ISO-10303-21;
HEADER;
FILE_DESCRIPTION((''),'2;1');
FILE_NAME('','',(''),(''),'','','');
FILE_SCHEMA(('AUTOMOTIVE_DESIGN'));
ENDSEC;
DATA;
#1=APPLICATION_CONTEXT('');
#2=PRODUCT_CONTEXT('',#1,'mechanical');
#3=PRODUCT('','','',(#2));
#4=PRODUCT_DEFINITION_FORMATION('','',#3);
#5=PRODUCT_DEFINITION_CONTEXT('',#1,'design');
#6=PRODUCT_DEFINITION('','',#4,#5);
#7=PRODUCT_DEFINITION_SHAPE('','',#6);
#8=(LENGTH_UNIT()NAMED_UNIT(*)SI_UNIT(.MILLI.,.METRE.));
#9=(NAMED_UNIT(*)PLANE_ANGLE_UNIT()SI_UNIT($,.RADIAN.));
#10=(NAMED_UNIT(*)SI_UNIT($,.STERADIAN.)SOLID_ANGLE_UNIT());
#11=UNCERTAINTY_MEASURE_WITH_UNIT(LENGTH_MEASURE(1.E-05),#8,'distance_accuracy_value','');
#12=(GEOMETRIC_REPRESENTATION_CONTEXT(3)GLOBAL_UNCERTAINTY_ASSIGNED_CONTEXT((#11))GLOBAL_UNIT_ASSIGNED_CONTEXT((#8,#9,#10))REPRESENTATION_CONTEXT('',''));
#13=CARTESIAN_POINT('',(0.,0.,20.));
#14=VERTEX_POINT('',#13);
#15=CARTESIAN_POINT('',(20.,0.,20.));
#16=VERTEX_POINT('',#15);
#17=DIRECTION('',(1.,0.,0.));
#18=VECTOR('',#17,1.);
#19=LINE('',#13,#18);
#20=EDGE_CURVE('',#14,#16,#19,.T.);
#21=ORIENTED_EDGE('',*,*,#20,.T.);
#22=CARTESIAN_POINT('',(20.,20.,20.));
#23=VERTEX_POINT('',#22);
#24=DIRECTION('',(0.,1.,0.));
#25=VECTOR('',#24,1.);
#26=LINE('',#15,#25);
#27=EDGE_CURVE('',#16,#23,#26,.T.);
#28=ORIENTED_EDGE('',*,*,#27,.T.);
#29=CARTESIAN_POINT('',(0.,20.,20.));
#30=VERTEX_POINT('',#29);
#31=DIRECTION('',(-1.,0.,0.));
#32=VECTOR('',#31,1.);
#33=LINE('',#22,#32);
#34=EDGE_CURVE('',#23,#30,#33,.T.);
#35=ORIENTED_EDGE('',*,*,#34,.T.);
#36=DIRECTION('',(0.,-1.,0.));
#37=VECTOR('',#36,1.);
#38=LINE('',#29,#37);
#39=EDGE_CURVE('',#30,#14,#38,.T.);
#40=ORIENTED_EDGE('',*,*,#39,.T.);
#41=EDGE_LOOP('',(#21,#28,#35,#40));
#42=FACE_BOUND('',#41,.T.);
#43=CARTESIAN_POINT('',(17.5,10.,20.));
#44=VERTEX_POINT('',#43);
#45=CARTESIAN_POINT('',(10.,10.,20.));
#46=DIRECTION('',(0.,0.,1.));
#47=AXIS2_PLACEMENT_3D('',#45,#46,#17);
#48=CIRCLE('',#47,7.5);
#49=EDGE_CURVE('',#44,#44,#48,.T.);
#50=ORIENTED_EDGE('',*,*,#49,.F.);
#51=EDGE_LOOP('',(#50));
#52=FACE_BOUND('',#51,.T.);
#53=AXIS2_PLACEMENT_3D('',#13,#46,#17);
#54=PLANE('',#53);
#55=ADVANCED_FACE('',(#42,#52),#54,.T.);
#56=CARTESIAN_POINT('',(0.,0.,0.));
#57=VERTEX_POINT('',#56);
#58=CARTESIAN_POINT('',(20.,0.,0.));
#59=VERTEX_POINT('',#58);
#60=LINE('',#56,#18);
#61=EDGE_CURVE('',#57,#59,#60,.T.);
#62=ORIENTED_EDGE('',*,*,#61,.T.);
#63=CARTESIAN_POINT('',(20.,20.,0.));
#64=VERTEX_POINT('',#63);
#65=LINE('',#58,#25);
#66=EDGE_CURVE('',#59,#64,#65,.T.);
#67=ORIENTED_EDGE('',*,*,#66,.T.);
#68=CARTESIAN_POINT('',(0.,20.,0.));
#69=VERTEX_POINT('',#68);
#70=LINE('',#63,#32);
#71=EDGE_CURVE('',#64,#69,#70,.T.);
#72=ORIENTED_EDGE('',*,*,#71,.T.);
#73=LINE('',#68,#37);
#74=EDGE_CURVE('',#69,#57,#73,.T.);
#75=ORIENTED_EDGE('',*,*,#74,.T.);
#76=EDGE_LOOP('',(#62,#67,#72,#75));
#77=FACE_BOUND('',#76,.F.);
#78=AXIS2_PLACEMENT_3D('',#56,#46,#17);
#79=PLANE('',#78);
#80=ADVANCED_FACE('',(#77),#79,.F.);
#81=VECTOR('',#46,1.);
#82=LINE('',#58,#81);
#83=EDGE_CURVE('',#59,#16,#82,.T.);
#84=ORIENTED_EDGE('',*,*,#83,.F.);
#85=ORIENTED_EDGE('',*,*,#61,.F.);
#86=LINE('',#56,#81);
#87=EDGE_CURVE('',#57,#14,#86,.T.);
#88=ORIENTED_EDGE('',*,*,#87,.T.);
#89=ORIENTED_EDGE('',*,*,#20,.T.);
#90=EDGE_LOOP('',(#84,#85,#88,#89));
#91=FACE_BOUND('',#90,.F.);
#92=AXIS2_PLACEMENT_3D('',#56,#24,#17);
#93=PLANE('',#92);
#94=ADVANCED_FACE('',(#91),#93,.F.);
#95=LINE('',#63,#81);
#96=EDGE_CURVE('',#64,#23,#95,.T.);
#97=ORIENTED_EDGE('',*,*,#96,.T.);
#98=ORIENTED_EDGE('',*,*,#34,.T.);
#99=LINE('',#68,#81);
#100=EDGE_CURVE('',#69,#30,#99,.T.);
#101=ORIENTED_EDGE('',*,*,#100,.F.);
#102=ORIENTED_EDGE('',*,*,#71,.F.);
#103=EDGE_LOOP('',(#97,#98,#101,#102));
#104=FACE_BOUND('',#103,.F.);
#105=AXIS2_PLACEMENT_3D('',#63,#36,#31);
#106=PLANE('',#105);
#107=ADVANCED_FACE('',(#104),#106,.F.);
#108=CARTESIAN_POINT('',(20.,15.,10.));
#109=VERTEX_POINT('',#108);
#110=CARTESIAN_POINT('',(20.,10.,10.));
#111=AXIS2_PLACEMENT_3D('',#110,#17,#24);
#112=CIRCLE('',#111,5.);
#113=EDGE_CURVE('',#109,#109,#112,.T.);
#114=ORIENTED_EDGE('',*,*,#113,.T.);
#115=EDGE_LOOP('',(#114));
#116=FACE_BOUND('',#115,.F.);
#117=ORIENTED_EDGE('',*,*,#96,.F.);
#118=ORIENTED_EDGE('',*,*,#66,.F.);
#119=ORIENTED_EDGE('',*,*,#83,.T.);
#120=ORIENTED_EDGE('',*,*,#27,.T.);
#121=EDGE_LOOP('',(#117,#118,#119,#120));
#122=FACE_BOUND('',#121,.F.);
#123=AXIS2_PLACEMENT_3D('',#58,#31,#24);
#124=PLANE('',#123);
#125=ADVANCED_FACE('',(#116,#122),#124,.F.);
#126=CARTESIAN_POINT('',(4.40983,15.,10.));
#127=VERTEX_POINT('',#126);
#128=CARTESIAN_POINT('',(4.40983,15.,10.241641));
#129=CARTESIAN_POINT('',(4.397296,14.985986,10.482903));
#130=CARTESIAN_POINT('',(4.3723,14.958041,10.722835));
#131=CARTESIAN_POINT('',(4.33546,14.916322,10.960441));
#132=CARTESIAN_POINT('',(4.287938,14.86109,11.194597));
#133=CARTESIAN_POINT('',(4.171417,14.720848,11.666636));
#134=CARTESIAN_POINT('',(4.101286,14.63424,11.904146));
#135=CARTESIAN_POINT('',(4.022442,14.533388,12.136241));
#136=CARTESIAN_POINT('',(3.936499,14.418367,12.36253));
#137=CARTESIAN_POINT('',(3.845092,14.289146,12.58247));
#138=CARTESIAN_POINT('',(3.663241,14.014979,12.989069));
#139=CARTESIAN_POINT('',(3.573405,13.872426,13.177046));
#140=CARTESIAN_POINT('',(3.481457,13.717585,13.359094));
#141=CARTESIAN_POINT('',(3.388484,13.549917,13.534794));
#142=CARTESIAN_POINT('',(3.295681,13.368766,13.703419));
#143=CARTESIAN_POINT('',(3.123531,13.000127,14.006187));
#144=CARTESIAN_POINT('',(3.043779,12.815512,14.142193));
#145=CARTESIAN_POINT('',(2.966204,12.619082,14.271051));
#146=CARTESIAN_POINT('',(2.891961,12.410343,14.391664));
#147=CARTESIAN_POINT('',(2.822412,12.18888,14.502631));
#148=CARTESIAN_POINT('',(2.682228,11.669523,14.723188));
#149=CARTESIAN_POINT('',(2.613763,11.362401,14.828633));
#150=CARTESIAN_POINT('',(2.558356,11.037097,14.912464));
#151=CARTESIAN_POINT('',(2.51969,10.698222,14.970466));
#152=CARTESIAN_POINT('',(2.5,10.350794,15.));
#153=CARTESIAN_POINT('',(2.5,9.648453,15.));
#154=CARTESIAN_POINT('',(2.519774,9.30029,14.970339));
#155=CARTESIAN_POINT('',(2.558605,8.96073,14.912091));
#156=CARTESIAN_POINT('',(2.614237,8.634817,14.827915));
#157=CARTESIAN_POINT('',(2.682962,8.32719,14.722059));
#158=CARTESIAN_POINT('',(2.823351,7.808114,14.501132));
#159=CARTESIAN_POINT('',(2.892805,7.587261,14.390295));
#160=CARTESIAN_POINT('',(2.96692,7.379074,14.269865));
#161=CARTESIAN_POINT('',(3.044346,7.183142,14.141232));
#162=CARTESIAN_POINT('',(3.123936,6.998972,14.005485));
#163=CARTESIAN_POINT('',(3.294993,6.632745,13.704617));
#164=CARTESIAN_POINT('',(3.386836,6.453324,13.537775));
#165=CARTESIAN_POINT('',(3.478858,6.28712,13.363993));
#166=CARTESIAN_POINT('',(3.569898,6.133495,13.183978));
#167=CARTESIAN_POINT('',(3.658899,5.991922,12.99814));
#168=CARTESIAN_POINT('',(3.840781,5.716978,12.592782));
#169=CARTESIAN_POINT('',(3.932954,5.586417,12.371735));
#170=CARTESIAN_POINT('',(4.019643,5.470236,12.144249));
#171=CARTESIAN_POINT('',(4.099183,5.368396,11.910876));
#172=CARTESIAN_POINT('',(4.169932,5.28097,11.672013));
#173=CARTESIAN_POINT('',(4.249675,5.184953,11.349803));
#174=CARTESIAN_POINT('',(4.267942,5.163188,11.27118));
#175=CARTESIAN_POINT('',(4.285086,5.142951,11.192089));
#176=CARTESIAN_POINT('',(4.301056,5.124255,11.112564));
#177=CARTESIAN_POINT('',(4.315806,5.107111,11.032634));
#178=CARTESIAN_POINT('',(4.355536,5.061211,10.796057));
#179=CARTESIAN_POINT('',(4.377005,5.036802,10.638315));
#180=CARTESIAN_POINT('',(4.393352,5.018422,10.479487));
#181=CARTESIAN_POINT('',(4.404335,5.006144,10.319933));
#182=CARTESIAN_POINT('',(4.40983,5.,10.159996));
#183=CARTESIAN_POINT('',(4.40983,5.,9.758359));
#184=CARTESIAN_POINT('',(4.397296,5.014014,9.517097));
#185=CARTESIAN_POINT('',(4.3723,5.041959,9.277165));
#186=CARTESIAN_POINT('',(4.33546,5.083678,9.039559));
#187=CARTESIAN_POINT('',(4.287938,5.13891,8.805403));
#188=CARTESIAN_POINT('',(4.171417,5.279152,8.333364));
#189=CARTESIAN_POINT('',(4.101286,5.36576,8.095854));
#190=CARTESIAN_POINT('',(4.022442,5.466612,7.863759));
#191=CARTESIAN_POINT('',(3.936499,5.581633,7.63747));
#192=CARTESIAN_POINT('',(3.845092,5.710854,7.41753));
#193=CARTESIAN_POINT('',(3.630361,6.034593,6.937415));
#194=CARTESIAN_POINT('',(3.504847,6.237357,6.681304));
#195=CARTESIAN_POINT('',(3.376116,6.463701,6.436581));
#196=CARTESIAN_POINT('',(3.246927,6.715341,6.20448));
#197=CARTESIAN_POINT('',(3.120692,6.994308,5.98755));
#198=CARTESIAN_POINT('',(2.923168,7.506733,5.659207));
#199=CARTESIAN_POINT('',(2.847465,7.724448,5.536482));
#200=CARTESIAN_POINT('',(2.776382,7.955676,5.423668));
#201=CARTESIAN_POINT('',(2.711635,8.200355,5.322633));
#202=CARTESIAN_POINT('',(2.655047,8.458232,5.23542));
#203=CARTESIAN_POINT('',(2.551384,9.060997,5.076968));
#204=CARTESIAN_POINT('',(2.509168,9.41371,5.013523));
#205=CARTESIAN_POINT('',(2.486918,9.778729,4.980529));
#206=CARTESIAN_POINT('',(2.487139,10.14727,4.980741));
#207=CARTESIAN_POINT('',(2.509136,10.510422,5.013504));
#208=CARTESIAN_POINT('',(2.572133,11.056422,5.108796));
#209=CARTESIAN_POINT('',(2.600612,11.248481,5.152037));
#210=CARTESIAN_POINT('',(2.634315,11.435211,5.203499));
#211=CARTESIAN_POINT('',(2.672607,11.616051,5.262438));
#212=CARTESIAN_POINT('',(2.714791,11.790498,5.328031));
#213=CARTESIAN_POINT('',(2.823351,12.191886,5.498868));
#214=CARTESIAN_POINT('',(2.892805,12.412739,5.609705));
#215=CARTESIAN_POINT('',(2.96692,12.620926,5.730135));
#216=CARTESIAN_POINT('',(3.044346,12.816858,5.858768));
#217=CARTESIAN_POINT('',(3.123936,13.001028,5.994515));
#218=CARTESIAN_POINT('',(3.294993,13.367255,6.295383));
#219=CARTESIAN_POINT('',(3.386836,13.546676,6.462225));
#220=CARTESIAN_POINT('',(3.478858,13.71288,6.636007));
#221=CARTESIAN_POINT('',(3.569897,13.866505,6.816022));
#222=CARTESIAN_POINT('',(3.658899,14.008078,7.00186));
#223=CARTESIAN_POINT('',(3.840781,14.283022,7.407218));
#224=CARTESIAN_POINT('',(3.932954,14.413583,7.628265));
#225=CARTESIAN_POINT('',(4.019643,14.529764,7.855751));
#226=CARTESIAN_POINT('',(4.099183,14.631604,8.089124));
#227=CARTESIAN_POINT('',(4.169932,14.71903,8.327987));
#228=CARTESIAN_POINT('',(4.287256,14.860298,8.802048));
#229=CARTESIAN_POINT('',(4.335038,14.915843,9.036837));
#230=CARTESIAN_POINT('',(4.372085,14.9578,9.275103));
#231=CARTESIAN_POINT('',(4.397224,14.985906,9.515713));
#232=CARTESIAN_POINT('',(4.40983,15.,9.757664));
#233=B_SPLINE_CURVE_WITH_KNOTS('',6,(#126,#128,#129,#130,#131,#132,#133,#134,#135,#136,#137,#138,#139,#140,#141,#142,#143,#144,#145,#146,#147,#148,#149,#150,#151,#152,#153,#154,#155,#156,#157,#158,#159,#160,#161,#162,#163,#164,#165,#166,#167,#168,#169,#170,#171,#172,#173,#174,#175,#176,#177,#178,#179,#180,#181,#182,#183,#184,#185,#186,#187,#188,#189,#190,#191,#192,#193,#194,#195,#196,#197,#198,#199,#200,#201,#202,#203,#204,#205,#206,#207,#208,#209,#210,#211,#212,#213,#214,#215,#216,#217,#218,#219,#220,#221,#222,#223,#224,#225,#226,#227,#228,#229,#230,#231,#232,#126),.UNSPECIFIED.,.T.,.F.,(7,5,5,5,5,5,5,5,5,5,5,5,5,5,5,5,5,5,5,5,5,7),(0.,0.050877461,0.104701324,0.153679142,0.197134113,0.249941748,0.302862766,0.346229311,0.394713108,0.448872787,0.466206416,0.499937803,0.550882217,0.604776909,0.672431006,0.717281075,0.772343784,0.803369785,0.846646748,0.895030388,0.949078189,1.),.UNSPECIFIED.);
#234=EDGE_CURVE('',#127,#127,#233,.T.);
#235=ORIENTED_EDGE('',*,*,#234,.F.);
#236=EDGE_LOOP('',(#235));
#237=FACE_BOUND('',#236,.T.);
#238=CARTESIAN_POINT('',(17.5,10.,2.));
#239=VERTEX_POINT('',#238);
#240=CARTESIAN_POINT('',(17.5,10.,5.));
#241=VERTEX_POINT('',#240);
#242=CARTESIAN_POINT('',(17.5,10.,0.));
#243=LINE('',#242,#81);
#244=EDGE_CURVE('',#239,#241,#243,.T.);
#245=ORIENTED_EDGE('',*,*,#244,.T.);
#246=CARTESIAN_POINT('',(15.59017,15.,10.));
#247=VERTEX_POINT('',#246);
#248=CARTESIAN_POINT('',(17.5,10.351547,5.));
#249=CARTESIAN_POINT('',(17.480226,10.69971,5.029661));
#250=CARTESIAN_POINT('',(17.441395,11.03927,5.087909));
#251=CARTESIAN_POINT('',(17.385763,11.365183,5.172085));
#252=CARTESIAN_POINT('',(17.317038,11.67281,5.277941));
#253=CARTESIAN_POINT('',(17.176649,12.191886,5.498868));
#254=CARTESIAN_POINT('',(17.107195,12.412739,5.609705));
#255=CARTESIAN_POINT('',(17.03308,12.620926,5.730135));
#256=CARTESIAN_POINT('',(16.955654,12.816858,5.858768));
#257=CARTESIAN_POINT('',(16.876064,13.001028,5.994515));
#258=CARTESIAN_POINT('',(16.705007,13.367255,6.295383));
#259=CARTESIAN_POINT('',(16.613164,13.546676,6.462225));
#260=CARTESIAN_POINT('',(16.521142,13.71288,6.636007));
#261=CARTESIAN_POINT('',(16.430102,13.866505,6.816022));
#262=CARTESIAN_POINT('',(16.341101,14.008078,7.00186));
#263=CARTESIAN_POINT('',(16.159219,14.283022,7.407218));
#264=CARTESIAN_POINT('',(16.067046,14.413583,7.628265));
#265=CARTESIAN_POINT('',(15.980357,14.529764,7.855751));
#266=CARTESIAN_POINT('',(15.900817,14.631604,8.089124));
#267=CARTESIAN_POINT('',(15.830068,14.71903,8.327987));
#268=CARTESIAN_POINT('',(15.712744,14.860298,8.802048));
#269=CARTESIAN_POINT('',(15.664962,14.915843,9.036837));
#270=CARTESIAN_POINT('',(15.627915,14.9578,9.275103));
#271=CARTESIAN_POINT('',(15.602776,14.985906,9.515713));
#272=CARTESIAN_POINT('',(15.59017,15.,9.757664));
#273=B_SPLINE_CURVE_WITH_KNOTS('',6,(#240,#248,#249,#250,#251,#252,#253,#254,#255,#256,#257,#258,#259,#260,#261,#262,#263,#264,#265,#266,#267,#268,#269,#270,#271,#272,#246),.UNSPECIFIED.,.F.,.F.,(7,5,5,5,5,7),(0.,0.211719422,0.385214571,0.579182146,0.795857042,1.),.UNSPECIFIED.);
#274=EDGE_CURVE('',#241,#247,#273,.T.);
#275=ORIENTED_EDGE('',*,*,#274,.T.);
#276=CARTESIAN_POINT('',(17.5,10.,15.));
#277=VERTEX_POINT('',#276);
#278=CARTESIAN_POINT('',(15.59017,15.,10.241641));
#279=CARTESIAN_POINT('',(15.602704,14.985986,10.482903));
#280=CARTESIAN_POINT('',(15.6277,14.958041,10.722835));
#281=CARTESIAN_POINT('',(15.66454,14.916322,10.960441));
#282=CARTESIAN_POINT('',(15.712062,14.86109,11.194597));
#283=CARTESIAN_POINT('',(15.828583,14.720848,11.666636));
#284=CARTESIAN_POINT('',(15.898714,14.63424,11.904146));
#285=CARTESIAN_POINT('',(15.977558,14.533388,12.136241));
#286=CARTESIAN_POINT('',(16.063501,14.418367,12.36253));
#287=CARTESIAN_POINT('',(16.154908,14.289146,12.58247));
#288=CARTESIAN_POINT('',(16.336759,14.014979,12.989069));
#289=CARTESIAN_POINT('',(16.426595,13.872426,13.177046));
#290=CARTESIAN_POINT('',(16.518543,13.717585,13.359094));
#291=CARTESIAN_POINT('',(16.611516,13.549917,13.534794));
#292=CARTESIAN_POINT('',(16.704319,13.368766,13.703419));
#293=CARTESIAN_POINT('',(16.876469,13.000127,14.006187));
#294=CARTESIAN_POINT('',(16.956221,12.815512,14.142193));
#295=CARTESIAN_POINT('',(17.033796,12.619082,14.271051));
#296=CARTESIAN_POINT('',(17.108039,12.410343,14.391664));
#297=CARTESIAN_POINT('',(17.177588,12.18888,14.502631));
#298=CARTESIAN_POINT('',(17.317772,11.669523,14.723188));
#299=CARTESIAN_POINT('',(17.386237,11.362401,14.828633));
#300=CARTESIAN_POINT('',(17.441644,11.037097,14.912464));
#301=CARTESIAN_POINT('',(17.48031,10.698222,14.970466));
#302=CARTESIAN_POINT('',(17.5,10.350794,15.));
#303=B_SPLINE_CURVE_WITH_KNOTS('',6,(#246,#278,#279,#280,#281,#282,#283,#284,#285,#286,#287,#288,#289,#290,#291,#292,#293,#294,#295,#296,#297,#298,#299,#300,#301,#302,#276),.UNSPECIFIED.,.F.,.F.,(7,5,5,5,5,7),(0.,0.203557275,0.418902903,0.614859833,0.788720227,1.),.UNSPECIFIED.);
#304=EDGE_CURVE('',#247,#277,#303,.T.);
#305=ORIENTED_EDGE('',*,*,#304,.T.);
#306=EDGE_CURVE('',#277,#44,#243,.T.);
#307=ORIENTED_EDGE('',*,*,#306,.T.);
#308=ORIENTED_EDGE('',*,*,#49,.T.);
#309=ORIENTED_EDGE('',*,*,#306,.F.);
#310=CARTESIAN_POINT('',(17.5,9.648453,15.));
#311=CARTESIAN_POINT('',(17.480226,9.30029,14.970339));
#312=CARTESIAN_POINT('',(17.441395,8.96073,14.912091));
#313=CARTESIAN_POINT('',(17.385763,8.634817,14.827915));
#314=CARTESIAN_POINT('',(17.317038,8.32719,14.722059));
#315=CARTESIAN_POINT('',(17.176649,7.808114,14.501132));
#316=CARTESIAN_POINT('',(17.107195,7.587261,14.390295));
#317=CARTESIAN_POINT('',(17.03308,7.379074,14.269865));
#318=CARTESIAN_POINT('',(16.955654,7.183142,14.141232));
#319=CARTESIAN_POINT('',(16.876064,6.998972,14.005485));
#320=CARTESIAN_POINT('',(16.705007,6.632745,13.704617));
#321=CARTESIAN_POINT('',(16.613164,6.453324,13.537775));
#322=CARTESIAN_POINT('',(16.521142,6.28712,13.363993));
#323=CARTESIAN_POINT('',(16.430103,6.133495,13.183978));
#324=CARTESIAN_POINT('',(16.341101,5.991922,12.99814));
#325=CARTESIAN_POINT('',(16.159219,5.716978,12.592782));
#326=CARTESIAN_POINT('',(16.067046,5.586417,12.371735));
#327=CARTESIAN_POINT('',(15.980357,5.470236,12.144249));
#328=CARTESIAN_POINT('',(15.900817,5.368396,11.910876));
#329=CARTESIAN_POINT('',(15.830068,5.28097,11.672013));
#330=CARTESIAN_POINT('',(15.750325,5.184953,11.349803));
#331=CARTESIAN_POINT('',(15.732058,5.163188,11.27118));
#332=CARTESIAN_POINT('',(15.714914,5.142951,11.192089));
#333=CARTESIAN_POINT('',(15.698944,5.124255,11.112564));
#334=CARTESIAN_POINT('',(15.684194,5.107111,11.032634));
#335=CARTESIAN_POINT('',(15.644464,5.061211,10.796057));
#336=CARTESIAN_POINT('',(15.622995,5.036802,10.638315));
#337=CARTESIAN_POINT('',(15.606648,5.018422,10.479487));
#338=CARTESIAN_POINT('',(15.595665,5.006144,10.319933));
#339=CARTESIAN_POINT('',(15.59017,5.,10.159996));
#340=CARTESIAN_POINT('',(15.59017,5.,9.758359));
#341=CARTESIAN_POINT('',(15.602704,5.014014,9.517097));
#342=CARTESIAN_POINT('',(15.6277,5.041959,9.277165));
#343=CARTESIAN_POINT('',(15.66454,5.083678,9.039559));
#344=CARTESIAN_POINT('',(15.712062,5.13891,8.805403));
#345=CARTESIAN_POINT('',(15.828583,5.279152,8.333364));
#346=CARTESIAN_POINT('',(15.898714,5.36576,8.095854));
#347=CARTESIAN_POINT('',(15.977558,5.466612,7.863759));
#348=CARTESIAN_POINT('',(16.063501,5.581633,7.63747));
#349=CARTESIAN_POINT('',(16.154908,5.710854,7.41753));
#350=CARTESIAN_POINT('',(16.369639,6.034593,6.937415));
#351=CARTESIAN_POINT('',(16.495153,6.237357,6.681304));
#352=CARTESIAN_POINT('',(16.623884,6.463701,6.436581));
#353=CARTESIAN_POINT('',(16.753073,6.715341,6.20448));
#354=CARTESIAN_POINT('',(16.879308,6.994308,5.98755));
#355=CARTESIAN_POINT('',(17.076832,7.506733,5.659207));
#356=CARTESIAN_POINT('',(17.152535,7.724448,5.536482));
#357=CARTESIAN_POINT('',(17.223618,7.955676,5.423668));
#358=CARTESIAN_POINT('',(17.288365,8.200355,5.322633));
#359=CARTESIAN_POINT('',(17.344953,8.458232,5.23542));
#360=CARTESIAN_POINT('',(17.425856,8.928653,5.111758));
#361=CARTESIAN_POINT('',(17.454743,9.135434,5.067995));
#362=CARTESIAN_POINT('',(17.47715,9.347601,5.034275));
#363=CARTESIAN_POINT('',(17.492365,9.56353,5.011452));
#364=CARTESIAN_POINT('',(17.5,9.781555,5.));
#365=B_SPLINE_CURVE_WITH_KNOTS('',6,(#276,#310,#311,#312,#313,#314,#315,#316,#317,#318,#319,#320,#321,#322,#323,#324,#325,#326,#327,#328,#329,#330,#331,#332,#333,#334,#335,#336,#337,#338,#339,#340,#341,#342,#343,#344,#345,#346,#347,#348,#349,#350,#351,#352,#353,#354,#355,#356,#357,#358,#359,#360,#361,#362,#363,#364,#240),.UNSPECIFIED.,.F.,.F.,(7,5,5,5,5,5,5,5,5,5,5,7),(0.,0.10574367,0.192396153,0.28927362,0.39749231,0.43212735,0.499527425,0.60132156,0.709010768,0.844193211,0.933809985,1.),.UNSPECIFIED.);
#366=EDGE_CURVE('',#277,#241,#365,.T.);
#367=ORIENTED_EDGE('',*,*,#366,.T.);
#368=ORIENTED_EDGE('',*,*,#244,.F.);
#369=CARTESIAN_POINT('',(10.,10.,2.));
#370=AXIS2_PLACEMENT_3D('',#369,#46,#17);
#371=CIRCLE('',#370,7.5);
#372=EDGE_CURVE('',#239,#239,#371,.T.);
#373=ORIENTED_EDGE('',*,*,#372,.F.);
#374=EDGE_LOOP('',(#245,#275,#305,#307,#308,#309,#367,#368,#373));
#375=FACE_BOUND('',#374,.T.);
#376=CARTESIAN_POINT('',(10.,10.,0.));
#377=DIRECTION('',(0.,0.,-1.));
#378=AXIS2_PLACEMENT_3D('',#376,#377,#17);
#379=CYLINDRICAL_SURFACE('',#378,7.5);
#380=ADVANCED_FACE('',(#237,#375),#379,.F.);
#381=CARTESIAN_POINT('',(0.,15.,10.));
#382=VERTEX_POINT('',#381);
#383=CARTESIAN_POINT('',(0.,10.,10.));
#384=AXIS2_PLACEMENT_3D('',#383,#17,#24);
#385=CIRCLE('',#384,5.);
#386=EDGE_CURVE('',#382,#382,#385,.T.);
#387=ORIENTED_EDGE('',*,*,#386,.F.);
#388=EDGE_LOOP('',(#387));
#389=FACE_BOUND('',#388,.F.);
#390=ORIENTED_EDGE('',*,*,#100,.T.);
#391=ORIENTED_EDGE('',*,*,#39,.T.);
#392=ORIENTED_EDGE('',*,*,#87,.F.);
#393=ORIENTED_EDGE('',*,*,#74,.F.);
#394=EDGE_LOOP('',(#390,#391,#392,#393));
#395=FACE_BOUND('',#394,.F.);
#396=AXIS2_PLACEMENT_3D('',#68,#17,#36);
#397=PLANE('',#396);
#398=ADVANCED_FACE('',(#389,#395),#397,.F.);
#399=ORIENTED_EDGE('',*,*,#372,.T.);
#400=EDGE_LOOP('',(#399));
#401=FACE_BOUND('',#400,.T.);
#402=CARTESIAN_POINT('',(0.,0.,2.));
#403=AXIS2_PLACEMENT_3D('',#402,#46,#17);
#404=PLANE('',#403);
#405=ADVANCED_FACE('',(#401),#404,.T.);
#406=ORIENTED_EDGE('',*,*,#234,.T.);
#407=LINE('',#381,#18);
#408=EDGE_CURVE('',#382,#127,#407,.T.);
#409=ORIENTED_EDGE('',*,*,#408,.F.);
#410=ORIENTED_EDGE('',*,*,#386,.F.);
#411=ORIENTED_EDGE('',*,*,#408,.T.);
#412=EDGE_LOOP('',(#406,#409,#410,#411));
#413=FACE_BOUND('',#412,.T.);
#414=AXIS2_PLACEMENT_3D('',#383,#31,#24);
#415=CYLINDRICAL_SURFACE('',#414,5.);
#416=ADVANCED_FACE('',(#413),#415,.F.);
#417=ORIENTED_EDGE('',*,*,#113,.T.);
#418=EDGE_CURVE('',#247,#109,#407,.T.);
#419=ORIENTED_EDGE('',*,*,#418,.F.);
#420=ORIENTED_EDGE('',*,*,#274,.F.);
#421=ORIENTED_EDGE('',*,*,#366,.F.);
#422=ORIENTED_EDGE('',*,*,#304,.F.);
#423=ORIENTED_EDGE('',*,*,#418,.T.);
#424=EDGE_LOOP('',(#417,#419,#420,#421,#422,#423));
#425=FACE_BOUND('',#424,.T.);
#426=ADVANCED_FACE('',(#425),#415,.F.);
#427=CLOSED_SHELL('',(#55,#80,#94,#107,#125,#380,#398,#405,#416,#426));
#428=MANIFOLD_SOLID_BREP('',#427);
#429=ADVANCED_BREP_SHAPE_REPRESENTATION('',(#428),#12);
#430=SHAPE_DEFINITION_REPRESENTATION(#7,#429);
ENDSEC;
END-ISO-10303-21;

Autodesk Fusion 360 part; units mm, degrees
sketch "Sketch1" plane through (0, 0, 0) normal (0, 0, 1) x (1, 0, 0)
  line L0 (0, 0) -> (20, 0)
  line L1 (20, 0) -> (20, 20)
  line L2 (20, 20) -> (0, 20)
  line L3 (0, 20) -> (0, 0)
  circle A0 centre (10, 10) radius 7.5
  dimension "d1" = 20
  dimension "d2" = 20
  dimension "d3" = 15
extrude "Extrude1" add sketch "Sketch1" along normal blind 20
extrude "Extrude2" add sketch "Sketch1" along normal blind 2 contours A0
sketch "Sketch2" plane through (0, 0, 0) normal (1, 0, 0) x (0, 1, 0)
  circle A0 centre (10, 10) radius 5
  dimension "d9" = 10
extrude "Extrude3" cut sketch "Sketch2" along normal blind 20 and the other way blind 0
